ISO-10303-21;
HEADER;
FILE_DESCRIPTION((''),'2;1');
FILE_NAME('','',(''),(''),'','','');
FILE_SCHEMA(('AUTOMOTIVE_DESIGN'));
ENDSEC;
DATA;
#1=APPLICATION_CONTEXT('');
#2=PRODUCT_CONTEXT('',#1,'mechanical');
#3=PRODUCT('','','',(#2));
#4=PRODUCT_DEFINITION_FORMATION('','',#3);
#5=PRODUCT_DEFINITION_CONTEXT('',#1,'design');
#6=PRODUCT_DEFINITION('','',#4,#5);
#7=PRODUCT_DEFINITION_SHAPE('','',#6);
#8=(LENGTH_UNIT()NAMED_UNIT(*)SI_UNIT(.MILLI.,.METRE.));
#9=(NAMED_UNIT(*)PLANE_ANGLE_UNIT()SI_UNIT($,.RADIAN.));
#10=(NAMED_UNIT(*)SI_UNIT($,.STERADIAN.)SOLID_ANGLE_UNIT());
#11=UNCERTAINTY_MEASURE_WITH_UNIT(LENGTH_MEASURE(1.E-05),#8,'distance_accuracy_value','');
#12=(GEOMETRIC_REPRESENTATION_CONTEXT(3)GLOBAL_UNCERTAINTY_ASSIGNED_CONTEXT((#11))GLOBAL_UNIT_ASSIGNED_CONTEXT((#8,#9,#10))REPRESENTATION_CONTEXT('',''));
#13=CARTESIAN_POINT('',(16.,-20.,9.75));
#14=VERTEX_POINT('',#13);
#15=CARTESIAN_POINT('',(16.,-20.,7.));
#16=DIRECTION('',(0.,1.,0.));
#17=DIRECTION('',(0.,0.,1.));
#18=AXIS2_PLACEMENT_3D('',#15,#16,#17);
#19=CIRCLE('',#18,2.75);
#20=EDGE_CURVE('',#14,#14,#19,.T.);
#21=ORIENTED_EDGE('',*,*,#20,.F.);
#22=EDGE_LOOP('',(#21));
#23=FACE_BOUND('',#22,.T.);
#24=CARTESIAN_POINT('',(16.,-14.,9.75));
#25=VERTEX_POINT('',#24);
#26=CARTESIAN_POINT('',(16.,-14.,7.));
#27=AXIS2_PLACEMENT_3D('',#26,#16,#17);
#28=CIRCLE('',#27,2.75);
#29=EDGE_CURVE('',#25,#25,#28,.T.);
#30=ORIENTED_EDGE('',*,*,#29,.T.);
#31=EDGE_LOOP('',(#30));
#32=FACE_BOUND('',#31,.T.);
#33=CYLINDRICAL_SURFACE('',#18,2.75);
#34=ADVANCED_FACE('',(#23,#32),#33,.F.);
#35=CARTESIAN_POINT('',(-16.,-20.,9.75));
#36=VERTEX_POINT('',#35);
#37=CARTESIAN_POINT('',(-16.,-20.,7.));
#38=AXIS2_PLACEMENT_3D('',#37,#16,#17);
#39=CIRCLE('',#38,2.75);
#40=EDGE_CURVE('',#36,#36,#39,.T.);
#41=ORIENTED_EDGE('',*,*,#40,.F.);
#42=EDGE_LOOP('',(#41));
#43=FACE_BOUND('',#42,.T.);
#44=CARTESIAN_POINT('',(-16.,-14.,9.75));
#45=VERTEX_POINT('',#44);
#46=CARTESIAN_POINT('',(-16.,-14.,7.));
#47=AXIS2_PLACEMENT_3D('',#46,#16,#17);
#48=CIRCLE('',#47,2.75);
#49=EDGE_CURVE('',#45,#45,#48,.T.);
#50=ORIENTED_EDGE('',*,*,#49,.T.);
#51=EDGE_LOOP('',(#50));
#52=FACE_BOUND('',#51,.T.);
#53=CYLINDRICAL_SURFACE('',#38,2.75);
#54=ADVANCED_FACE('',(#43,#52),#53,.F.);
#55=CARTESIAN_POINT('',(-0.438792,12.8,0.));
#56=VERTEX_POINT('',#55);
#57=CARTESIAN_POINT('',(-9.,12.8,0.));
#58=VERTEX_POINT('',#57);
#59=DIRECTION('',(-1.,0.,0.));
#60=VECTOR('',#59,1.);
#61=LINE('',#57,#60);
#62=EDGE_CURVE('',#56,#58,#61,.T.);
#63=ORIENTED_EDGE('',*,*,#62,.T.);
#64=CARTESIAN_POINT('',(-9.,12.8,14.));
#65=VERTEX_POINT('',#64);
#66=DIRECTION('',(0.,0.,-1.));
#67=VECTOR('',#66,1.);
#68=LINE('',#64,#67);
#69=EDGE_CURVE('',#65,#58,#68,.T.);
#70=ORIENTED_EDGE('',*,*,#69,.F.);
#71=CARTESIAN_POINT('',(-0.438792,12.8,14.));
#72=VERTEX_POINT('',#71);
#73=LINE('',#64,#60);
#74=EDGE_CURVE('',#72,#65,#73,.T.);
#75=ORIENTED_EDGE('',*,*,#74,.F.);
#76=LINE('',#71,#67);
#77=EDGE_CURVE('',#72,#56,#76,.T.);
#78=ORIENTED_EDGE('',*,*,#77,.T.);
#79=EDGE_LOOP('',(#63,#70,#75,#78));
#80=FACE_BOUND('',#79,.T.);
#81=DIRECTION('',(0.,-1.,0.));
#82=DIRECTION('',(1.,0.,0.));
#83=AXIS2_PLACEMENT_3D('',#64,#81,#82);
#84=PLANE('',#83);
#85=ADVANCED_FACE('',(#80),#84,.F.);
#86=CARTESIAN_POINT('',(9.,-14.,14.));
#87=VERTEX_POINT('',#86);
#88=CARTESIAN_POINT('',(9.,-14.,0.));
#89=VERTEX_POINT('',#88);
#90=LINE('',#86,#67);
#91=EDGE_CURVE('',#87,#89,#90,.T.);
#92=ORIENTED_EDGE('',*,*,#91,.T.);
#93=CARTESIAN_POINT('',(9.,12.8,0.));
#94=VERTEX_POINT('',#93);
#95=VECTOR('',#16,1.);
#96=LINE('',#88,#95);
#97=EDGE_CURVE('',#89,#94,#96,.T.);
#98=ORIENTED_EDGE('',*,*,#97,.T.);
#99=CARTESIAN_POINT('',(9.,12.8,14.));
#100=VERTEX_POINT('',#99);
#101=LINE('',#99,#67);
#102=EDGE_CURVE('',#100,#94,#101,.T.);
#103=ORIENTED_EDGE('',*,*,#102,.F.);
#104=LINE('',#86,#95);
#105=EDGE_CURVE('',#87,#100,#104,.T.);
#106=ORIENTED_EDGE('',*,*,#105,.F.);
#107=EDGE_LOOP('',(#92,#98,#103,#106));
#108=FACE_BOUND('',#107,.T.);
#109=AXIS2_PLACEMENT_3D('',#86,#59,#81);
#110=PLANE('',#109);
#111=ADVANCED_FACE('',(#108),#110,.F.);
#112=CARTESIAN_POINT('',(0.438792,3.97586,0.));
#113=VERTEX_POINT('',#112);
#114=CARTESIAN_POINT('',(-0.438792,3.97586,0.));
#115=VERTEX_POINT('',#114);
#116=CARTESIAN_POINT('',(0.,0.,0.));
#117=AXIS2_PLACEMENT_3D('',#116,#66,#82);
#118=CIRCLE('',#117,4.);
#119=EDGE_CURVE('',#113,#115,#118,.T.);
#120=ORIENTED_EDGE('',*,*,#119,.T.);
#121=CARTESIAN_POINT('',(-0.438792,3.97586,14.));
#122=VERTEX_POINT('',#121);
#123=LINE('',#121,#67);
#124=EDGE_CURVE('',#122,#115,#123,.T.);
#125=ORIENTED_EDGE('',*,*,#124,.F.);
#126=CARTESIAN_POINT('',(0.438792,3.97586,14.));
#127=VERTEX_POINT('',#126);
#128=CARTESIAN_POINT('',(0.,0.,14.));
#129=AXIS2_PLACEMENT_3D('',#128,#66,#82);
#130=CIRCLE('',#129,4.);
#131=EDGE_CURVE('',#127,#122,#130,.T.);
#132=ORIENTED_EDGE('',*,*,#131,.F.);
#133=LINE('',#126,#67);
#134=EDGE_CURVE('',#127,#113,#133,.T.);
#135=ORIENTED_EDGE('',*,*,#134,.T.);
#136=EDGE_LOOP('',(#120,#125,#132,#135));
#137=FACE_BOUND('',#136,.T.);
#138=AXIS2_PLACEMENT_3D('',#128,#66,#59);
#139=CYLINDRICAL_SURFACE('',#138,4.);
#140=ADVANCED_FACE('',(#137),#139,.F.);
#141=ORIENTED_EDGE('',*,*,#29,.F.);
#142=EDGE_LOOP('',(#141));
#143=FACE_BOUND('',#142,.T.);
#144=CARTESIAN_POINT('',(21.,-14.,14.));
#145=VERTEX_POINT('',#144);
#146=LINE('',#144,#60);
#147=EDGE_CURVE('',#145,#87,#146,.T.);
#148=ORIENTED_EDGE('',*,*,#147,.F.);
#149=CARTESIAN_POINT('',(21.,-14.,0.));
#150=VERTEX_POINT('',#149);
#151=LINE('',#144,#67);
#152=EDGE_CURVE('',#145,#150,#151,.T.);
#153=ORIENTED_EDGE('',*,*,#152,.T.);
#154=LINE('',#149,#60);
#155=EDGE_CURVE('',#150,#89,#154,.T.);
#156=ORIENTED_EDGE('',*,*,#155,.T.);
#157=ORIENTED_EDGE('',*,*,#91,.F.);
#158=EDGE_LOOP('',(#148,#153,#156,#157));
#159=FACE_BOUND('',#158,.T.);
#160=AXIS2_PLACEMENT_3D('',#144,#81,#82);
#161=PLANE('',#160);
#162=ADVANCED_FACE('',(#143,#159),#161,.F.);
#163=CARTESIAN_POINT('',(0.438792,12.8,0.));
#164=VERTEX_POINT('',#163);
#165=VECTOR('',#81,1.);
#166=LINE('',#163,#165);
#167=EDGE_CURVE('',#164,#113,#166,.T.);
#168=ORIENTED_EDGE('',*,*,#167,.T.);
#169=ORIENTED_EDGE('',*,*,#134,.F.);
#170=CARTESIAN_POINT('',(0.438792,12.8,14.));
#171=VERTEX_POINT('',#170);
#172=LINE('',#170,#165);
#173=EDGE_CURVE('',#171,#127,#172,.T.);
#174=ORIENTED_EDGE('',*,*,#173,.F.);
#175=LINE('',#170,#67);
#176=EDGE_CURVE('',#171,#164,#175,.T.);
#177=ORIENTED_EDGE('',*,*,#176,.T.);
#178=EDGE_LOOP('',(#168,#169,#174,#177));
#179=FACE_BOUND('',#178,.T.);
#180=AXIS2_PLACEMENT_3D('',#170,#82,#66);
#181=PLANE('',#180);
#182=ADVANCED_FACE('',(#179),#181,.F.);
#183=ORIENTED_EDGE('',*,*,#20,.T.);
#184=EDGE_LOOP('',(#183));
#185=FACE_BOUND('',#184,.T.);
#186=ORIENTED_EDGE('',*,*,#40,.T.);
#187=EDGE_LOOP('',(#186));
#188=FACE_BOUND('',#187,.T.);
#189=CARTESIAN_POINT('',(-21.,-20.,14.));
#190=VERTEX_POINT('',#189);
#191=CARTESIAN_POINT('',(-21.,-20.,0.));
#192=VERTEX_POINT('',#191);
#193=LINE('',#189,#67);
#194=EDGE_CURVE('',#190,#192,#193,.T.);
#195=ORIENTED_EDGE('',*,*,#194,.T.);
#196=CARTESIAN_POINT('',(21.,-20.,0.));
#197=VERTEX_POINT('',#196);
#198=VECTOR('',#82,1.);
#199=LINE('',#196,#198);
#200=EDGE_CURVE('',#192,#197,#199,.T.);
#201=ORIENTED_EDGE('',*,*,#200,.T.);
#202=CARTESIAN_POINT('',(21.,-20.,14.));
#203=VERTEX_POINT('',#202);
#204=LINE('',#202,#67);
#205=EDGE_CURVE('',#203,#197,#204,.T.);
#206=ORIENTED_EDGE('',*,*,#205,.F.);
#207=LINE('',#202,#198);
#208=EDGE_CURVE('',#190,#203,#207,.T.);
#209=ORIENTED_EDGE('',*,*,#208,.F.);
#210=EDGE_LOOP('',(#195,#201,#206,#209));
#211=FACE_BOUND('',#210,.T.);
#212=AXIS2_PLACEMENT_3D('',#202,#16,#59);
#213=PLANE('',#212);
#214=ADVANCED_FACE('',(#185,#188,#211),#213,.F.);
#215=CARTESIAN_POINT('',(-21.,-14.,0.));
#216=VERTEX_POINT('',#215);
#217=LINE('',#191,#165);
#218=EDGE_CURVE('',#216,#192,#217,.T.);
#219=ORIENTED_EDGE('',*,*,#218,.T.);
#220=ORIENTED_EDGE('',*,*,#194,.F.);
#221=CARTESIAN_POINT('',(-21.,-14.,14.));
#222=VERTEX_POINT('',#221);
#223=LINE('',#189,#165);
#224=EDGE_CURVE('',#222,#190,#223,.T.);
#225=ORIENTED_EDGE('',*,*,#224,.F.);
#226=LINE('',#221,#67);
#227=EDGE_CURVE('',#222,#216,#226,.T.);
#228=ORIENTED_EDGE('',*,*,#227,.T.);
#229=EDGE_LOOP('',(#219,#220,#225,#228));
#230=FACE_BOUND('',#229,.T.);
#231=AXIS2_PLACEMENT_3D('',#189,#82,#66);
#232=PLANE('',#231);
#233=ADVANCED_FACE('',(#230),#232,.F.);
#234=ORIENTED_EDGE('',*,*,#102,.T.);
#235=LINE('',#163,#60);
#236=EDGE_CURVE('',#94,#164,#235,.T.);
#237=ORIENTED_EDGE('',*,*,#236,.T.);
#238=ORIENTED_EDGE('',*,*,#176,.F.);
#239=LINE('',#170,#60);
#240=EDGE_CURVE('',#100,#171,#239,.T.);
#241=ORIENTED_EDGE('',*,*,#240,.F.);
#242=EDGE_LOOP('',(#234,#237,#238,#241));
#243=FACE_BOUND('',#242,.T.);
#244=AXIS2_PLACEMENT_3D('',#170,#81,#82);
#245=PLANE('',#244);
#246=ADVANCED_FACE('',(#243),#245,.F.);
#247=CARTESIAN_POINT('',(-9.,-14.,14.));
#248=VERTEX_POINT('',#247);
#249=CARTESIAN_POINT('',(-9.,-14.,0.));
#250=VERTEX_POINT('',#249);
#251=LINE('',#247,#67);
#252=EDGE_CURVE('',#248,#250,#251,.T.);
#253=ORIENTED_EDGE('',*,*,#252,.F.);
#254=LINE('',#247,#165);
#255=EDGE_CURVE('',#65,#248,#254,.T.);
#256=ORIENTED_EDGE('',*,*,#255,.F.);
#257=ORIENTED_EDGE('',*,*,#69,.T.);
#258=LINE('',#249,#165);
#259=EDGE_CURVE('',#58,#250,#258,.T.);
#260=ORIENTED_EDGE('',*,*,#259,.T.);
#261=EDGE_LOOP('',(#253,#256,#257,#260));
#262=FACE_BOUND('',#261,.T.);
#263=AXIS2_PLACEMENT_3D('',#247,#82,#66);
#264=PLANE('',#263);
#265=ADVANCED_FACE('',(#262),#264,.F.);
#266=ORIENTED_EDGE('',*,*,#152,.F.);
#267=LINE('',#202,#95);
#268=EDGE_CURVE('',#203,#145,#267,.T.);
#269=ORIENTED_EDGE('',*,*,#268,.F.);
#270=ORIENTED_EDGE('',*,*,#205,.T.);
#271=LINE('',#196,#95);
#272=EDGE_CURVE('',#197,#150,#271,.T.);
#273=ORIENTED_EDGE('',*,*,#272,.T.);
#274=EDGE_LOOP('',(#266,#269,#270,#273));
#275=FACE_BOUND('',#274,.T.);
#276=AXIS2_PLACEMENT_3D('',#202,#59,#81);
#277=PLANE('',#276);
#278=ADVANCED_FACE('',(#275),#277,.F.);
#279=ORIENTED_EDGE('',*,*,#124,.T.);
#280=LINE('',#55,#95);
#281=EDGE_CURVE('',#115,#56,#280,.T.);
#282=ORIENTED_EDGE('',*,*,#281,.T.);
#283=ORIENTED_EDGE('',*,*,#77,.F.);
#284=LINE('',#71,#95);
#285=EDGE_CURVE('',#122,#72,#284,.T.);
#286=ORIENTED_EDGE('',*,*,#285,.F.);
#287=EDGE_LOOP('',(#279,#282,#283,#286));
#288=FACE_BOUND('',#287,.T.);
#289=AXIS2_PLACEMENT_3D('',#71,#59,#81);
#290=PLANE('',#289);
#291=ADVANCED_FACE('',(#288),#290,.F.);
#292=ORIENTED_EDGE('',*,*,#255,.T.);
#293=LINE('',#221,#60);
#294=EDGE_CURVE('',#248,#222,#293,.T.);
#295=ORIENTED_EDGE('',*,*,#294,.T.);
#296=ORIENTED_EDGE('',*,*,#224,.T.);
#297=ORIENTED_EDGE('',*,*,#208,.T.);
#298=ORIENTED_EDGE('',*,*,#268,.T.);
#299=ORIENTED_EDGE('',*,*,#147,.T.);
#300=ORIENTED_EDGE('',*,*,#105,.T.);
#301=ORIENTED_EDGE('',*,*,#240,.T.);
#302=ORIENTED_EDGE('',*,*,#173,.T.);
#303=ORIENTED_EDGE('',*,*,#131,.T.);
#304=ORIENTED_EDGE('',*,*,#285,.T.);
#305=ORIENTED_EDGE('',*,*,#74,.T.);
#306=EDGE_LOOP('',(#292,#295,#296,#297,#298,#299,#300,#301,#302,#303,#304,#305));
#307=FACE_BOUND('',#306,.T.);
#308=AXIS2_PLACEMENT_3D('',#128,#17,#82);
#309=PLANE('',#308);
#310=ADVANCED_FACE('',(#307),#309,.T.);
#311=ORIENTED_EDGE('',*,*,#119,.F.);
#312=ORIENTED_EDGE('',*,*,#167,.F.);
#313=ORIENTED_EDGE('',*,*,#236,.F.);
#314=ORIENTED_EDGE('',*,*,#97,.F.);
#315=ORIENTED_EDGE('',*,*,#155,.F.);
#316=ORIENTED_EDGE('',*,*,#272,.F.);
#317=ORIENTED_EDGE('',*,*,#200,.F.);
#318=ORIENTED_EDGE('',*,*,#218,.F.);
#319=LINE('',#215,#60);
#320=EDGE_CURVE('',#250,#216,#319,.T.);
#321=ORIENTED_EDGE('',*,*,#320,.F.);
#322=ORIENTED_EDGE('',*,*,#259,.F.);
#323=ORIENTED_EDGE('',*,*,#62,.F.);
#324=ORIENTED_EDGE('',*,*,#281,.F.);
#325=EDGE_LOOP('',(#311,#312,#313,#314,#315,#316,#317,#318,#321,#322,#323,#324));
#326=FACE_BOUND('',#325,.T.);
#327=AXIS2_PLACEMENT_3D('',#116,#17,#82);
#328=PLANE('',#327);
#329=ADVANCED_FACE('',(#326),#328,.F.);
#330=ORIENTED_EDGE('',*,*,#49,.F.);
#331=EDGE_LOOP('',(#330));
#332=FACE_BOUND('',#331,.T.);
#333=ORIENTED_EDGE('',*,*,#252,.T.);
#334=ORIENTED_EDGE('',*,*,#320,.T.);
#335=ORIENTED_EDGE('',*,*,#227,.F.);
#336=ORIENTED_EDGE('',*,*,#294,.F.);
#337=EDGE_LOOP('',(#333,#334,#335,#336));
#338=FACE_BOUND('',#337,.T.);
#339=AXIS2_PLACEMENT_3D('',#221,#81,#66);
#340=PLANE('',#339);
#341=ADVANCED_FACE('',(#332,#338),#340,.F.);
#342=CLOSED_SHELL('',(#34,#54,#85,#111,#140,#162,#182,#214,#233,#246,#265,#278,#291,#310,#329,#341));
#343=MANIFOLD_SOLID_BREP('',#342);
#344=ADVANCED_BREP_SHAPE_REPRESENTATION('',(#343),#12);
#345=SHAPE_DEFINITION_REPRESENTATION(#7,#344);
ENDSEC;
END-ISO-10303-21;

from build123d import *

# Parameters (mm, degrees)
EXTRUDE_2_DEPTH     = 14
SKETCH_2_R          = 2.75
CUT_EXTRUDE_1_DEPTH = 37.813584449


with BuildPart() as part:
    # 草图1 → 凸台-拉伸2 (new body)
    with BuildSketch(Plane.XY):
        with BuildLine():
            Line((21, -20), (-21, -20))
            Line((-21, -20), (-21, -14))
            Line((-21, -14), (-9, -14))
            Line((-9, -14), (-9, 12.8))
            Line((-9, 12.8), (-0.438791817, 12.8))
            Line((-0.438791817, 12.8), (-0.438791817, 3.975859874))
            ThreePointArc((-0.438791817, 3.975859874), (0, -4), (0.438791817, 3.975859874))
            Line((0.438791817, 3.975859874), (0.438791817, 12.8))
            Line((0.438791817, 12.8), (9, 12.8))
            Line((9, 12.8), (9, -14))
            Line((9, -14), (21, -14))
            Line((21, -14), (21, -20))
        make_face()
    extrude(amount=EXTRUDE_2_DEPTH)

    # 草图2 → 切除-拉伸1 (cut, through all)
    with BuildSketch(Plane(origin=(0, -14, 0), x_dir=(1, 0, 0), z_dir=(0, 1, 0))):
        with Locations(Location((-16, -7, 0), (0, 0, 270))):
            Circle(SKETCH_2_R)
        with Locations(Location((16, -7, 0), (0, 0, 270))):
            Circle(SKETCH_2_R)
    extrude(amount=-CUT_EXTRUDE_1_DEPTH, mode=Mode.SUBTRACT)


solid = part.part
